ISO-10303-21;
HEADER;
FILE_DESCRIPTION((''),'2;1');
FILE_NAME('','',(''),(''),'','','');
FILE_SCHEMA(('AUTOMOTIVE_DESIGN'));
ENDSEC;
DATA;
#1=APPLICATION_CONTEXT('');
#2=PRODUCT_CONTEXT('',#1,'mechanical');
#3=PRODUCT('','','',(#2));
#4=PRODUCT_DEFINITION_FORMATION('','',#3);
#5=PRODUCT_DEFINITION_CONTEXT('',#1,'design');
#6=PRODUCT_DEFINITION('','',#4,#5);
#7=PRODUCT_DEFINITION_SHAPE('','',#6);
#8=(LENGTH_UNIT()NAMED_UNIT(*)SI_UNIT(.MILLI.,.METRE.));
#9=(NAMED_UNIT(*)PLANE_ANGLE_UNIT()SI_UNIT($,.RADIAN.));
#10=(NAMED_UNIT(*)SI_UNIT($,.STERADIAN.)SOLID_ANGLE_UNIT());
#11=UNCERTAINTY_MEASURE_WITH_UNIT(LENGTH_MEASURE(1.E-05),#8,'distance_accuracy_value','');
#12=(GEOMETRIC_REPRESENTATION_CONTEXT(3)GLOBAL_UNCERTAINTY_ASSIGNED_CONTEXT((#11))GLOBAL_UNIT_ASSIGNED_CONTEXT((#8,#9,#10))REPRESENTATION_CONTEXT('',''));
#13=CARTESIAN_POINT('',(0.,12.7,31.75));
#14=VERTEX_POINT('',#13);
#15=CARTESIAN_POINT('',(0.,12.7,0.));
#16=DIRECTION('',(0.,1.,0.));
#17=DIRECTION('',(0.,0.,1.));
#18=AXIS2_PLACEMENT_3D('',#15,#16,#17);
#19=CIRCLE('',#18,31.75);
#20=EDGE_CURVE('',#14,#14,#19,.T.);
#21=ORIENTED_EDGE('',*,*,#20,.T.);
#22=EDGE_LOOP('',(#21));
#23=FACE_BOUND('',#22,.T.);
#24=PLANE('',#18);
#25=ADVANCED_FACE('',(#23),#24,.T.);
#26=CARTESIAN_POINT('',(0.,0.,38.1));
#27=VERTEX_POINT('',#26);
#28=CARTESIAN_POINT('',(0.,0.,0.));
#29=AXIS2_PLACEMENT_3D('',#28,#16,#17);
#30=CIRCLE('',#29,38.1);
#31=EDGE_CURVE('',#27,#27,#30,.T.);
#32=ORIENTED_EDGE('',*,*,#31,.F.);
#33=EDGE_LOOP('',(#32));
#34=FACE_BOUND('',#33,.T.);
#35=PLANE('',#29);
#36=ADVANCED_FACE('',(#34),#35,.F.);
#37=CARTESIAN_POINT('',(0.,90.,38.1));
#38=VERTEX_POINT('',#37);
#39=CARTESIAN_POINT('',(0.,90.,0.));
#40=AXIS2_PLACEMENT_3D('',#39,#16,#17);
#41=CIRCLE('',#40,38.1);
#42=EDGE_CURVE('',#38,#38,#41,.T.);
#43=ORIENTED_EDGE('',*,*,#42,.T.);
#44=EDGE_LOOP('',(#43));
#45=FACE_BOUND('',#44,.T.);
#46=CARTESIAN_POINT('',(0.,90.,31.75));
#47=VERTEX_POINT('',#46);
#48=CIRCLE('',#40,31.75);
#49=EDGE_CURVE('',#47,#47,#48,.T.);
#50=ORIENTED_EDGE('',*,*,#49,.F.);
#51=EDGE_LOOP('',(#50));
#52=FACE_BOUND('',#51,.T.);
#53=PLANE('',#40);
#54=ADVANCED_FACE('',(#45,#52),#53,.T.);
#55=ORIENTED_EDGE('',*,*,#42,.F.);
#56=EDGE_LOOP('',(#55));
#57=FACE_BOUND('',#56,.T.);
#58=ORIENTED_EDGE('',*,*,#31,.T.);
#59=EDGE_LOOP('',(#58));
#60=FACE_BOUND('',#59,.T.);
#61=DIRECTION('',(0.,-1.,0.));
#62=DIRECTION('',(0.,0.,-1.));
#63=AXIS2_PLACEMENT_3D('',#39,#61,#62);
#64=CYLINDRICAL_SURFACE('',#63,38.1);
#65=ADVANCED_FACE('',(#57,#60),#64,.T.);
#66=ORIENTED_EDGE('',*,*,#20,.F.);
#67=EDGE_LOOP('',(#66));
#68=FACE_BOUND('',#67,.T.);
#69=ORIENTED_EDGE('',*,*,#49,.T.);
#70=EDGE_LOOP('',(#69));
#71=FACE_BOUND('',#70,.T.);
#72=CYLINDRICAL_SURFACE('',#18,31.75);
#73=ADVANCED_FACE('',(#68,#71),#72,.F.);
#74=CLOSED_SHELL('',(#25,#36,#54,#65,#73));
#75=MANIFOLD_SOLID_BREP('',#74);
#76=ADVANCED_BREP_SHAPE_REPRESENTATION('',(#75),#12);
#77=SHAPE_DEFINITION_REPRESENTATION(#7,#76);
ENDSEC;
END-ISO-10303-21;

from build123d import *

# Parameters (mm, degrees)
SKETCH1_R           = 38.1
BOSS_EXTRUDE1_DEPTH = 90
SKETCH5_R           = 31.75
CUT_EXTRUDE1_DEPTH  = 77.300000086


with BuildPart() as part:
    # Sketch1 → Boss-Extrude1 (new body)
    with BuildSketch(Plane(origin=(0, 0, 0), x_dir=(1, 0, 0), z_dir=(0, 1, 0))):
        Circle(SKETCH1_R)
    extrude(amount=BOSS_EXTRUDE1_DEPTH)

    # Sketch5 → Cut-Extrude1 (cut)
    with BuildSketch(Plane(origin=(0, 90, 0), x_dir=(1, 0, 0), z_dir=(0, 1, 0))):
        Circle(SKETCH5_R)
    extrude(amount=-CUT_EXTRUDE1_DEPTH, mode=Mode.SUBTRACT)


solid = part.part
